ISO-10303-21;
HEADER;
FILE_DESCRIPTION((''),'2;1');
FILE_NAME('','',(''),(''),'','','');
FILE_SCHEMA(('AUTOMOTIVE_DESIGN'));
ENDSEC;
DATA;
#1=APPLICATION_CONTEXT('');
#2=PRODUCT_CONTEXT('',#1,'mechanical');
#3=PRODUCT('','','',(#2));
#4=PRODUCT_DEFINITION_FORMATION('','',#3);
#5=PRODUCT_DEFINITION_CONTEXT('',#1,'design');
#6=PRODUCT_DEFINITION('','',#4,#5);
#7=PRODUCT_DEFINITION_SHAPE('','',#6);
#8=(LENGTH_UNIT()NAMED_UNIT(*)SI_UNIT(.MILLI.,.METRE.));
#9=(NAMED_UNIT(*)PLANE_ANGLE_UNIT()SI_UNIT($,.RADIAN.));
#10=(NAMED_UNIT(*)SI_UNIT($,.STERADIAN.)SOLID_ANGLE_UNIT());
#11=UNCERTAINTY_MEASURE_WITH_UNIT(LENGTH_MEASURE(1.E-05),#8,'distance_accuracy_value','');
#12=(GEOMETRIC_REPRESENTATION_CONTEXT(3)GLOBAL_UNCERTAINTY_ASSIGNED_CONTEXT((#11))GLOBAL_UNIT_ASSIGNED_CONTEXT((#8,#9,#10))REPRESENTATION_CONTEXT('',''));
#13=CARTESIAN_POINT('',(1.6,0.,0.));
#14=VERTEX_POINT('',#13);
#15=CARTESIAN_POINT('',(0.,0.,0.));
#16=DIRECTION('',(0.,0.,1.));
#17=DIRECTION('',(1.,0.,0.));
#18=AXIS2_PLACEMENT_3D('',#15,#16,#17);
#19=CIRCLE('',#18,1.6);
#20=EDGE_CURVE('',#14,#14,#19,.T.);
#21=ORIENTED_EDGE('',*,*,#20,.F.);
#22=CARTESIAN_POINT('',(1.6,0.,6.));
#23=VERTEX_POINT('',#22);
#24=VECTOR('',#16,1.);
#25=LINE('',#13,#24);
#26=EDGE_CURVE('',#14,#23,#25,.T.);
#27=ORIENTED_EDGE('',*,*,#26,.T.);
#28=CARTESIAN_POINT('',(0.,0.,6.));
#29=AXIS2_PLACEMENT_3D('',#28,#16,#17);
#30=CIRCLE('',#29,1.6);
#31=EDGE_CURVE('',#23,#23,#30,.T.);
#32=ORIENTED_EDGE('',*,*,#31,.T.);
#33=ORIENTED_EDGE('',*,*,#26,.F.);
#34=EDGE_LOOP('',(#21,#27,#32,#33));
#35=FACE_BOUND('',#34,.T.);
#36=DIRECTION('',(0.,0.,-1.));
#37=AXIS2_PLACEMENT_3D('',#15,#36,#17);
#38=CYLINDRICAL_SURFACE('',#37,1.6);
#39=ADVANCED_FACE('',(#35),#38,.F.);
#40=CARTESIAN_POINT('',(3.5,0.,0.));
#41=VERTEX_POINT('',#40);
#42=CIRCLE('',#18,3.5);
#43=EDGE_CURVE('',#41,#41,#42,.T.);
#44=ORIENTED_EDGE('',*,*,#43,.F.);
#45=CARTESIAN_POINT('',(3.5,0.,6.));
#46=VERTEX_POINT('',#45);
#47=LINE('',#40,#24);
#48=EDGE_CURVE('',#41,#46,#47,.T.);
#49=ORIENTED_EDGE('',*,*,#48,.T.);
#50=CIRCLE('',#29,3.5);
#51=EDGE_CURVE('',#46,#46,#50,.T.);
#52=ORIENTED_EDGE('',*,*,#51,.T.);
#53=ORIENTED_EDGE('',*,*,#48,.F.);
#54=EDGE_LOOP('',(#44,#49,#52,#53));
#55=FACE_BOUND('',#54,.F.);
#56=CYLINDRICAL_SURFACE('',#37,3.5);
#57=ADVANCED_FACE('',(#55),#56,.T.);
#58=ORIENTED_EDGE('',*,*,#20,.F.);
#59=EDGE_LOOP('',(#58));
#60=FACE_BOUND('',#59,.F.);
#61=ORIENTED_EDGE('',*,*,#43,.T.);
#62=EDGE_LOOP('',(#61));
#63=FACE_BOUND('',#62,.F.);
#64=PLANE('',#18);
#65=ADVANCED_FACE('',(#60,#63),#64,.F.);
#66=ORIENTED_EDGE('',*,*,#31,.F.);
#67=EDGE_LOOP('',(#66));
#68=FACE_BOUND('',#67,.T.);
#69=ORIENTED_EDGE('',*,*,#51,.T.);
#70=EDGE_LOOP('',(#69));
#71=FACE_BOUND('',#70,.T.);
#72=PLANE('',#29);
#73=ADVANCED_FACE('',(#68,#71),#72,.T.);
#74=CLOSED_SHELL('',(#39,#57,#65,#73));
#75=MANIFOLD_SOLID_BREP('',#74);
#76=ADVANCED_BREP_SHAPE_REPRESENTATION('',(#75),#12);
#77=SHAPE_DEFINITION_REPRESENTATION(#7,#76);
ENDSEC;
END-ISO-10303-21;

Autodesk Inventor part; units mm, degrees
ref_plane "YZ Plane" through (0, 0, 0) normal (1, 0, 0) x (0, 1, 0)
ref_plane "XZ Plane" through (0, 0, 0) normal (0, 1, 0) x (-1, 0, 0)
ref_plane "XY Plane" through (0, 0, 0) normal (0, 0, 1) x (1, 0, 0)
sketch "Sketch1" plane through (0, 0, 0) normal (0, 0, 1) x (1, 0, 0)
  circle A0 centre (0, 0) radius 3.5
  circle A1 centre (0, 0) radius 1.6
  dimension "d0" = 7
  dimension "d1" = 3.2
extrude "Extrusion1" add sketch "Sketch1" along normal blind 6
properties part number "PcbSpacer"
